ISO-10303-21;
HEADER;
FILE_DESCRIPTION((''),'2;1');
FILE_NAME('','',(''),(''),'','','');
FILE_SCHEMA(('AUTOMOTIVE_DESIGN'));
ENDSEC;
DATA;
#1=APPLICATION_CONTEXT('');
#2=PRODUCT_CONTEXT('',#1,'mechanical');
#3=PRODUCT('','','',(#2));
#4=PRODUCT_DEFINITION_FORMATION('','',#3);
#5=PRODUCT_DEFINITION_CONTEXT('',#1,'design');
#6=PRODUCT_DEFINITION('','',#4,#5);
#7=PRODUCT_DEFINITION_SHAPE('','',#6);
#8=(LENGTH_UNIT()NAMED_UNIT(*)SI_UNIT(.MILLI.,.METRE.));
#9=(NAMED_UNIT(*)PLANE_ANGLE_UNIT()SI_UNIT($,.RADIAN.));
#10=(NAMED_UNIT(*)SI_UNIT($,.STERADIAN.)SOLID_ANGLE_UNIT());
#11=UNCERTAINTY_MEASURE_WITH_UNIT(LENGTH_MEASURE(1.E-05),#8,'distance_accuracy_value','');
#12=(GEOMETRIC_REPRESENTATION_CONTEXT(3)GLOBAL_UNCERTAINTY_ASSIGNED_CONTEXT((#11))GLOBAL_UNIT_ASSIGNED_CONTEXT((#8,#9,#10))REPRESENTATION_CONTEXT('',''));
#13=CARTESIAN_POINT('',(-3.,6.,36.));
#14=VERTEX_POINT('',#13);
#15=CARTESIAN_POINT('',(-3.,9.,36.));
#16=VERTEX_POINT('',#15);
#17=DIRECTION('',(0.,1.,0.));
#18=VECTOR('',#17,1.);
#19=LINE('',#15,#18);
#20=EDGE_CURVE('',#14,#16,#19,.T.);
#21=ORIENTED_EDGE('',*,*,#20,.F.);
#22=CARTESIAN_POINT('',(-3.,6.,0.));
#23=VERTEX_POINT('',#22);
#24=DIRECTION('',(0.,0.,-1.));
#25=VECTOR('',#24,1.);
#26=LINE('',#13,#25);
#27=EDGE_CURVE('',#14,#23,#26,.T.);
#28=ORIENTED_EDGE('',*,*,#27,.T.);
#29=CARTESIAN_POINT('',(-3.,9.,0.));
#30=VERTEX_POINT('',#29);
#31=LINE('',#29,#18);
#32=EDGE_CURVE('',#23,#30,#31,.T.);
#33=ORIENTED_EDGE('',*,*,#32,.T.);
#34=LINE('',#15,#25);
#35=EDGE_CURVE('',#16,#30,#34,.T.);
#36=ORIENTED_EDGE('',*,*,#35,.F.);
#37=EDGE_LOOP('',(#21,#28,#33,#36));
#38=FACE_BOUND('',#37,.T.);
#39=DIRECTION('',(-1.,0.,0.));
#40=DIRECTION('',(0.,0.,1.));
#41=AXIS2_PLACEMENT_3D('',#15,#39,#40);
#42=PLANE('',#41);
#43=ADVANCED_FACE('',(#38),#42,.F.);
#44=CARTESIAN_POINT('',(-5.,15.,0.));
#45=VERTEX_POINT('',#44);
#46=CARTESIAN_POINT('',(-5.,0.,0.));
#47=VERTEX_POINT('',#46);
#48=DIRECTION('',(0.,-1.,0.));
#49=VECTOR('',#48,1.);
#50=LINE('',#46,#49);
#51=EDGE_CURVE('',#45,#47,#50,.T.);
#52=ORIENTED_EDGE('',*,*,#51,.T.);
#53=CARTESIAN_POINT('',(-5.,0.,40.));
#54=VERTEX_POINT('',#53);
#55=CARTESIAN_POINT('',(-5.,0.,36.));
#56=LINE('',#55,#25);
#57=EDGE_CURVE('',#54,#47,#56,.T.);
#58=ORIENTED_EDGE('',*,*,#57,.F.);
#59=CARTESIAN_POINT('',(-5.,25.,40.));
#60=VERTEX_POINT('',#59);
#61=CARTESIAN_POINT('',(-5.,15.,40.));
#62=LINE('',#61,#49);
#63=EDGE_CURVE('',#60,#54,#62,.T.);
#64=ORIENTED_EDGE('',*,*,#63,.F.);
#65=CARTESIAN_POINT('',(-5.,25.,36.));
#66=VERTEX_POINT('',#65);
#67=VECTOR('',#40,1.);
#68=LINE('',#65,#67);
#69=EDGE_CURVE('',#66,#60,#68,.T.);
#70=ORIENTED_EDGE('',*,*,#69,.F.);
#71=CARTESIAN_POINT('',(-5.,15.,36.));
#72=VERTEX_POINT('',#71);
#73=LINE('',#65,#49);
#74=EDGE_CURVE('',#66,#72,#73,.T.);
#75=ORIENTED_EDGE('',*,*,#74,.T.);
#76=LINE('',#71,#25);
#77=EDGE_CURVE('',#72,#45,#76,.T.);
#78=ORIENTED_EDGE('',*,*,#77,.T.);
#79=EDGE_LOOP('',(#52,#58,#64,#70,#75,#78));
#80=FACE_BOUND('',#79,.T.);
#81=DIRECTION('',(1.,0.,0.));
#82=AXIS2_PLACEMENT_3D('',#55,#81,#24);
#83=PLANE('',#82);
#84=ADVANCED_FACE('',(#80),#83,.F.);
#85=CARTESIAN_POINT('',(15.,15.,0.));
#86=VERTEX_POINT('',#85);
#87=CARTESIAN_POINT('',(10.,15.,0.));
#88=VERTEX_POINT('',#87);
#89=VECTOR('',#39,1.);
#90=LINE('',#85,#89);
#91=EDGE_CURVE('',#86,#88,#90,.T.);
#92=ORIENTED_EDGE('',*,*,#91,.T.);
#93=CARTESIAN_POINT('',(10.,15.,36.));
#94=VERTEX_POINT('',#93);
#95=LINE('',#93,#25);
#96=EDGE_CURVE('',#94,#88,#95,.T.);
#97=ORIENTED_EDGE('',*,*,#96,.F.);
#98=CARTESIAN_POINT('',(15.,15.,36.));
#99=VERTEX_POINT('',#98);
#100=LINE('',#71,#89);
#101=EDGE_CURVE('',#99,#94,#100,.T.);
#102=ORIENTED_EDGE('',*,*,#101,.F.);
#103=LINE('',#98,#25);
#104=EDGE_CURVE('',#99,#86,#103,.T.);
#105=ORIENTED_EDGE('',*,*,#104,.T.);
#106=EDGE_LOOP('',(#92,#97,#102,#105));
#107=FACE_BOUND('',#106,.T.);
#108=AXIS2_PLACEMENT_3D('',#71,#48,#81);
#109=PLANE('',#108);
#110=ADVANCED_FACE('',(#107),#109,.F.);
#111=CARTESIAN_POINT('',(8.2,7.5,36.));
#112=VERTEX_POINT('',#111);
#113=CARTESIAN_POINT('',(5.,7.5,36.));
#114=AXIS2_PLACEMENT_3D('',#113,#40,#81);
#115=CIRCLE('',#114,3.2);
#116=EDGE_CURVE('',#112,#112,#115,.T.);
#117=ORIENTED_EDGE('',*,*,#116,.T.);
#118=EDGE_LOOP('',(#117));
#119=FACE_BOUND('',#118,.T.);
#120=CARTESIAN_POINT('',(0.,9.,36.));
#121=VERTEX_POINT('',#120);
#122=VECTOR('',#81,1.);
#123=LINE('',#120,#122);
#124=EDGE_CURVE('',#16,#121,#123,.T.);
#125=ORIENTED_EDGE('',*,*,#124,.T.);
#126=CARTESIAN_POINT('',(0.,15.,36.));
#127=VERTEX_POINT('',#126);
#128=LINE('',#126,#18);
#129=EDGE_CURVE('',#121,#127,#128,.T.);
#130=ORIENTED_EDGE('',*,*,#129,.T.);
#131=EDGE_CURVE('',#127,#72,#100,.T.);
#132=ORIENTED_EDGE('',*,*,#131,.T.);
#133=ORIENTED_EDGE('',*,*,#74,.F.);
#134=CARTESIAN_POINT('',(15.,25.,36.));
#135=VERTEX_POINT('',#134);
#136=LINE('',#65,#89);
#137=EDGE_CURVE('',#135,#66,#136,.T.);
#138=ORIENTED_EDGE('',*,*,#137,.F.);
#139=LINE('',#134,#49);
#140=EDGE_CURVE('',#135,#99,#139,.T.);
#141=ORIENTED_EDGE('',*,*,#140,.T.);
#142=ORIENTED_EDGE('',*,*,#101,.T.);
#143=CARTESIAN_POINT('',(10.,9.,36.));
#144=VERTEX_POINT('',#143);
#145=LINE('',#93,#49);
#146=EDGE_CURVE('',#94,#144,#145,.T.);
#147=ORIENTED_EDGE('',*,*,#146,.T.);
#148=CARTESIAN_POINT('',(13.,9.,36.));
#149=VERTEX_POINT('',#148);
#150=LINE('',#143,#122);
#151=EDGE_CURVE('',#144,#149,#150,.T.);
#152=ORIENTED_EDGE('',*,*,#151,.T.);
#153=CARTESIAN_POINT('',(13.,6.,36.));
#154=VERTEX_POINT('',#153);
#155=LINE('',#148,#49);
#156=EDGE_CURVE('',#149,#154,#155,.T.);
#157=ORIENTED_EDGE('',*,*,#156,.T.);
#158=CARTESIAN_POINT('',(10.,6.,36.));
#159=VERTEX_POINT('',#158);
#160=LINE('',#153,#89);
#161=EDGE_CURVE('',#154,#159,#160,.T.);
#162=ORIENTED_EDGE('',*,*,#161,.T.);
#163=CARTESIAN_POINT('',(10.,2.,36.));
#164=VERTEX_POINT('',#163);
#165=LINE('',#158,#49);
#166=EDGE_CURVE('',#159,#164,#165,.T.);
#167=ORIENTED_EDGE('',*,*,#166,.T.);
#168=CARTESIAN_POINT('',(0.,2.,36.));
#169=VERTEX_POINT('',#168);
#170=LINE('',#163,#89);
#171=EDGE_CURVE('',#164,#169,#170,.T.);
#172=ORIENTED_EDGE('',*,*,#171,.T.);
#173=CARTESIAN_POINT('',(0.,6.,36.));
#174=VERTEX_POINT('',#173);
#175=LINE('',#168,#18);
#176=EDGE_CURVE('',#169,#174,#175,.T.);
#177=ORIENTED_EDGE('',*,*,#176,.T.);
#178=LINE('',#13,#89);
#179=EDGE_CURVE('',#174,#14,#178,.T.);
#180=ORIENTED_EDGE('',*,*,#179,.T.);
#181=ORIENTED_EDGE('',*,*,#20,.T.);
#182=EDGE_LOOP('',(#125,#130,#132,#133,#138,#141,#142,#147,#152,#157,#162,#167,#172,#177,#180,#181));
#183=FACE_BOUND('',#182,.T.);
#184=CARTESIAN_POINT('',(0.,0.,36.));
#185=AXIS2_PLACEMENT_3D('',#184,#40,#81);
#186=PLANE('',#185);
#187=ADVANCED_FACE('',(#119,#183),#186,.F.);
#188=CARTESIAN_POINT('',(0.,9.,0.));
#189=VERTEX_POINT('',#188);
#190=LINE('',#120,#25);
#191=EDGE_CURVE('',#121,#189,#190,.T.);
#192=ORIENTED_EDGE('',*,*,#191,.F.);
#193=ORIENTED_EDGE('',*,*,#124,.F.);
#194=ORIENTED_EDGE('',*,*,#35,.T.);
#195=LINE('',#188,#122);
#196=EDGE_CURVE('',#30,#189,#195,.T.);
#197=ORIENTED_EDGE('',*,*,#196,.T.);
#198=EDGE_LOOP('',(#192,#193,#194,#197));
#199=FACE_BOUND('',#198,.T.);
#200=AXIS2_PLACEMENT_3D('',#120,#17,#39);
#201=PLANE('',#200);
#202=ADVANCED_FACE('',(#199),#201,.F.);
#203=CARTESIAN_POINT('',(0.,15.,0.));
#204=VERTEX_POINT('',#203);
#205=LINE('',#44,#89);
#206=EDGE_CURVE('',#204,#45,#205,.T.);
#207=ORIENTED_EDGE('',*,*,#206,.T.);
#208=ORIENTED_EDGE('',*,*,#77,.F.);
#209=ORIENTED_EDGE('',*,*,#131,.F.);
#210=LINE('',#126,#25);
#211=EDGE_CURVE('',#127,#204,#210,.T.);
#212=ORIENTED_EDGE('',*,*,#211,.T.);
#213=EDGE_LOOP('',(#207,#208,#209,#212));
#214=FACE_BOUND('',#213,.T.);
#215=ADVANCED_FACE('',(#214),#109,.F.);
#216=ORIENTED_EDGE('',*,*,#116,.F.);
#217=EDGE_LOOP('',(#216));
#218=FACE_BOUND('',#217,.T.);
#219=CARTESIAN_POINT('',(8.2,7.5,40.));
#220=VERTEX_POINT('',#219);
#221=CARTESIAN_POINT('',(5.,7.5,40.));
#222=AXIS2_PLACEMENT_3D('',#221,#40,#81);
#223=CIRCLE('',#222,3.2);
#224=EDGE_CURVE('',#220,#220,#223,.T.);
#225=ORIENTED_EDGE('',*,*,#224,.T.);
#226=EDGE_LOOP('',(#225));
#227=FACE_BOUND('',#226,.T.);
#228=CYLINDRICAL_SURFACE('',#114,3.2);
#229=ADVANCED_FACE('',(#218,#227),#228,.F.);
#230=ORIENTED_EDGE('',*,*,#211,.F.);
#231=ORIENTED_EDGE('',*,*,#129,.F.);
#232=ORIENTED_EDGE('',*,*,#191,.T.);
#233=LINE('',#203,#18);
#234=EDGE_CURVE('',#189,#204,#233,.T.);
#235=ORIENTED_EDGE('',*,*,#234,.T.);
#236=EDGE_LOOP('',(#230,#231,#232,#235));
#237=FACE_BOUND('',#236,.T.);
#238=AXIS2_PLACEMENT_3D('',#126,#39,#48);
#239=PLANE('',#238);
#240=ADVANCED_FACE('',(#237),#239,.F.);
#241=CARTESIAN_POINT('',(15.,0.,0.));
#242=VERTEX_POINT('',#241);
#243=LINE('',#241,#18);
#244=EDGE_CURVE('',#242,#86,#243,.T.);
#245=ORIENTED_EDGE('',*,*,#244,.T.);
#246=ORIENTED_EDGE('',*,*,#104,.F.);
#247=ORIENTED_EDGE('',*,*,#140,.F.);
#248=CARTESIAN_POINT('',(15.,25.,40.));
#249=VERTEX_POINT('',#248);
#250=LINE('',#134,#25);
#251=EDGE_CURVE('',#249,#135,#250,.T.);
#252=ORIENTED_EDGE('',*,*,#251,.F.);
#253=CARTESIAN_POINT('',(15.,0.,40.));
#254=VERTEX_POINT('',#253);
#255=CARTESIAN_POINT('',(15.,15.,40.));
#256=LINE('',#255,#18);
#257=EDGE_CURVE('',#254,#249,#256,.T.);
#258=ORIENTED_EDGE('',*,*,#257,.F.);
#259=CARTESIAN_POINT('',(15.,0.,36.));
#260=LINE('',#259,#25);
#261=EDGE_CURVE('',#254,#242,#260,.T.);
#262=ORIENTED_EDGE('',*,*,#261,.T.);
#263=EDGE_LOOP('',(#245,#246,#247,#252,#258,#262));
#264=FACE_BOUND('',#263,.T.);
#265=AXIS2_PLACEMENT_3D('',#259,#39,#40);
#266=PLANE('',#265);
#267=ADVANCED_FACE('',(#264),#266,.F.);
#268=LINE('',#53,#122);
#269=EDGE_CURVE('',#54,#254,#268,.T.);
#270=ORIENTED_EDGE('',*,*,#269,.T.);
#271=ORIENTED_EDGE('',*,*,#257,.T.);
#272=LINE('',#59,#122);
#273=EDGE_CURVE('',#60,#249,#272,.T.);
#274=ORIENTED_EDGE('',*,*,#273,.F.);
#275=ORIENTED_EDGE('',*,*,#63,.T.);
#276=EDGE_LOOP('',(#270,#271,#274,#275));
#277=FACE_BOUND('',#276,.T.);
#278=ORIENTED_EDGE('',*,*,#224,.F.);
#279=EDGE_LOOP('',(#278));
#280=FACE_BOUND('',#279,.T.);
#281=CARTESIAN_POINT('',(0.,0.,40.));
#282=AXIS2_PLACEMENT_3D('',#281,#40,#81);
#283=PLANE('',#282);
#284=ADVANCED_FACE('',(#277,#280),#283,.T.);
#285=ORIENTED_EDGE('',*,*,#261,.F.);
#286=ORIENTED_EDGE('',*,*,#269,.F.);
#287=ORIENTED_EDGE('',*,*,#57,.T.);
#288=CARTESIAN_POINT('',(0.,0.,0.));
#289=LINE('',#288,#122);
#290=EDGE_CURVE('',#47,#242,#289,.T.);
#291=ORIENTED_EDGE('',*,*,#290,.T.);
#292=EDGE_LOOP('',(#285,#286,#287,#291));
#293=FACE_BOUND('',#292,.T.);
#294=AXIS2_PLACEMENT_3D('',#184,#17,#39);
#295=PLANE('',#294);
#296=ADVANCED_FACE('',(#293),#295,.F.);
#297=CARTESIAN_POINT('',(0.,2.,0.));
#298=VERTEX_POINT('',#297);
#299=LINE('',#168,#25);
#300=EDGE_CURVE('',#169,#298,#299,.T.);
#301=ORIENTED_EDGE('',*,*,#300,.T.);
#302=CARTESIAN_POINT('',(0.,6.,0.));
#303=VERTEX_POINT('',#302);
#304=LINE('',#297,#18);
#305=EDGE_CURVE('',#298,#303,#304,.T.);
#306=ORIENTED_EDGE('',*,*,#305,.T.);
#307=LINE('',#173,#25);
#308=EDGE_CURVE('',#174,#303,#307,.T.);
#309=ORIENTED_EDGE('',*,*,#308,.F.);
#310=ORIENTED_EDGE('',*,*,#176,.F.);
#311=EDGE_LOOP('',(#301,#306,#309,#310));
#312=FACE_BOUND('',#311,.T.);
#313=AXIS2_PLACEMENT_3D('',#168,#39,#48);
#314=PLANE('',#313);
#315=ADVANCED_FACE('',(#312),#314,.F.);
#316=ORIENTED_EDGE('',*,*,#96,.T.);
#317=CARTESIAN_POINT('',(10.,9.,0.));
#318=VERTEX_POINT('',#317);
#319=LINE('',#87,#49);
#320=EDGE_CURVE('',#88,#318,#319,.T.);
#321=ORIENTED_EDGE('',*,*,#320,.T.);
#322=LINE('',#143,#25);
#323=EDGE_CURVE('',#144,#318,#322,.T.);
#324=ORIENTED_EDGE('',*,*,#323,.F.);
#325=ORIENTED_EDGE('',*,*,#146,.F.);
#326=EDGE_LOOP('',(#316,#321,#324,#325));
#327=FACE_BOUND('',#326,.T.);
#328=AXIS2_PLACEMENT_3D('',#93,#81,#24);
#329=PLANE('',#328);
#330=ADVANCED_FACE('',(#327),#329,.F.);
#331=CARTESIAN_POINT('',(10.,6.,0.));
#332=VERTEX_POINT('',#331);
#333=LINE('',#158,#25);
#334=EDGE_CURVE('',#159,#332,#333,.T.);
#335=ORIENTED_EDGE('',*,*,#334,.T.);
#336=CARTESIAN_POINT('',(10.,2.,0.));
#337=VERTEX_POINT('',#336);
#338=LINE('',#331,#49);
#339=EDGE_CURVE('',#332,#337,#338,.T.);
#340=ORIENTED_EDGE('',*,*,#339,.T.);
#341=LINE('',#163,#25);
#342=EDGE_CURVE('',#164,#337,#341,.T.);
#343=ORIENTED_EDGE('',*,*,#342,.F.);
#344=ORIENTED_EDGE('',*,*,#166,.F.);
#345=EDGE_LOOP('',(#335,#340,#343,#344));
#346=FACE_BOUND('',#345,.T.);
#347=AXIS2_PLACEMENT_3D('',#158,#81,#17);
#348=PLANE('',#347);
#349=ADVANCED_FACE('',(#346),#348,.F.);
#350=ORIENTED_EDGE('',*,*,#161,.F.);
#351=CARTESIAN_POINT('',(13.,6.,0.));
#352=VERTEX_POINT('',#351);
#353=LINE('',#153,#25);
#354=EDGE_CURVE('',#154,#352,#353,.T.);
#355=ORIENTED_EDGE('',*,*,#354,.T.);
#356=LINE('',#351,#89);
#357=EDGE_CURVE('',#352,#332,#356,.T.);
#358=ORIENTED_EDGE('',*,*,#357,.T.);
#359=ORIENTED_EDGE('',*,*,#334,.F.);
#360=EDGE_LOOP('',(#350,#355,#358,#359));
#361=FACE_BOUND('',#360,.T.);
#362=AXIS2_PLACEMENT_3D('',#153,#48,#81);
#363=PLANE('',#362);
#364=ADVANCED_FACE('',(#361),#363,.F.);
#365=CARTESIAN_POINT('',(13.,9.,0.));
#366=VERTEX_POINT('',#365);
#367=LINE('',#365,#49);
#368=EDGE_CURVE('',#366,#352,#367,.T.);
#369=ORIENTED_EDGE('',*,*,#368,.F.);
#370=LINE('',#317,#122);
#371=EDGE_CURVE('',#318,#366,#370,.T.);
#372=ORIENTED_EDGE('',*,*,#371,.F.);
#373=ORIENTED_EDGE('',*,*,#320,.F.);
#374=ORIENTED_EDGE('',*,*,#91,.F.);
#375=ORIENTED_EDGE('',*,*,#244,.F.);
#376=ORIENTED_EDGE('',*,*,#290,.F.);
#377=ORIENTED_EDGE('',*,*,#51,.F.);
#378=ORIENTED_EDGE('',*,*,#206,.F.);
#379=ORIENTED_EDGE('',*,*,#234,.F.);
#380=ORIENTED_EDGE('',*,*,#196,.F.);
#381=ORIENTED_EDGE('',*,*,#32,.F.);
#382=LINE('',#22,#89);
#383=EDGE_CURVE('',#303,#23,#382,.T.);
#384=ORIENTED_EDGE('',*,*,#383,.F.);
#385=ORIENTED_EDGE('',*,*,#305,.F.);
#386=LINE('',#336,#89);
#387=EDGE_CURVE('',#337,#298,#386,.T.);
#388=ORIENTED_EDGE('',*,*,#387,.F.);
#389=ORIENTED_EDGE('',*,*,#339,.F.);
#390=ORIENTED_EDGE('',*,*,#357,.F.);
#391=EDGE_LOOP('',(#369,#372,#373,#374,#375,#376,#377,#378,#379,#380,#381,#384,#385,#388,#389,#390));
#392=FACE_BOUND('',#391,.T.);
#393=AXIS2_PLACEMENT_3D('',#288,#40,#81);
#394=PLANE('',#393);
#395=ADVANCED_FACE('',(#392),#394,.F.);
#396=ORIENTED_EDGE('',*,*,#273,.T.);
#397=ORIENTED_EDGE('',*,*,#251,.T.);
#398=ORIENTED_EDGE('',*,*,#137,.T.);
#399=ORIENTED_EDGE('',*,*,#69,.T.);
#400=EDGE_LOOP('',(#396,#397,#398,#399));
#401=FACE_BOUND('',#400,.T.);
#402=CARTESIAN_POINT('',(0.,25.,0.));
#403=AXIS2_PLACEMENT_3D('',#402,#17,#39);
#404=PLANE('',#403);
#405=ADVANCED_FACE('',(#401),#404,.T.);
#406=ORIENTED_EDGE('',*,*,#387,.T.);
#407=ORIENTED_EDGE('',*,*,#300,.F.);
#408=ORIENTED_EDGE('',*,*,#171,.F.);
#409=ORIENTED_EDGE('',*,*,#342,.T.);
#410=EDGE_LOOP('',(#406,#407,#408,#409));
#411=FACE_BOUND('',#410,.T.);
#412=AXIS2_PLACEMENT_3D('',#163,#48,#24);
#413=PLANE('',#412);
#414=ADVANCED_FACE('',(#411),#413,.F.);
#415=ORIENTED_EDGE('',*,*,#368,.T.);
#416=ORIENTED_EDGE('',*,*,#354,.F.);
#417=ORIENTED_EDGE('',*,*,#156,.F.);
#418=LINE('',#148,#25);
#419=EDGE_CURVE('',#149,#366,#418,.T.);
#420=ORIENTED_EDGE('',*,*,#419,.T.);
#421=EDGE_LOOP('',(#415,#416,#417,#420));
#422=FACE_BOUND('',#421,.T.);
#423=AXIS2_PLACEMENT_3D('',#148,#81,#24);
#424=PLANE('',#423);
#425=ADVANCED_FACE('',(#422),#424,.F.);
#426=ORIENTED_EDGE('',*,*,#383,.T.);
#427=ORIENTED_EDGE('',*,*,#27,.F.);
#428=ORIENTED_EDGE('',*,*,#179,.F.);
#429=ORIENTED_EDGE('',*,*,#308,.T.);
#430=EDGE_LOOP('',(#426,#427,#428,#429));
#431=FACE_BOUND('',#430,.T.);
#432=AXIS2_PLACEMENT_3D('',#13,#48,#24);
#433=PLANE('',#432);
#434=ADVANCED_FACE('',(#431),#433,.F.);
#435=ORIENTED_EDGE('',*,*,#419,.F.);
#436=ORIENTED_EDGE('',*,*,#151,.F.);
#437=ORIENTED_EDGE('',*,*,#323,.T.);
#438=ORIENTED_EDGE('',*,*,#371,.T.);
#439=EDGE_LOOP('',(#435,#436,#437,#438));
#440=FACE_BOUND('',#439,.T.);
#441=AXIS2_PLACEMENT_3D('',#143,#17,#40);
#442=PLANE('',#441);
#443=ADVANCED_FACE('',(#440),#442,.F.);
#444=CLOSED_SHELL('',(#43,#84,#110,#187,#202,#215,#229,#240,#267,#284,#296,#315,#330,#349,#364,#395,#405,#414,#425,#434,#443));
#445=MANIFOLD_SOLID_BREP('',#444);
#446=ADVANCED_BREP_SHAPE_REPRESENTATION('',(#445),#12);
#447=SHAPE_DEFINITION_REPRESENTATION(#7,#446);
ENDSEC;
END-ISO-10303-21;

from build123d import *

# Parameters (mm, degrees)
BOSS_EXTRU_1_DEPTH      = 36
ESQUISSE2_W             = 20
ESQUISSE2_H             = 15
BOSS_EXTRU_2_DEPTH      = 4
ESQUISSE3_R             = 3.2
ENL_V_MAT_EXTRU_1_DEPTH = 4
ESQUISSE4_W             = 20
ESQUISSE4_H             = 4
BOSS_EXTRU_3_DEPTH      = 10


with BuildPart() as part:
    # Esquisse1 → Boss.-Extru.1 (new body)
    with BuildSketch(Plane.XY):
        Polygon((0, 0), (-5, 0), (-5, 15), (0, 15), (0, 9), (-3, 9), (-3, 6), (0, 6), (0, 2), (10, 2), (10, 6), (13, 6), (13, 9), (10, 9), (10, 15), (15, 15), (15, 0), (10, 0), align=None)
    extrude(amount=BOSS_EXTRU_1_DEPTH)

    # Esquisse2 → Boss.-Extru.2 (add)
    with BuildSketch(Plane.XY.offset(36)):
        with Locations((5, 7.5)):
            Rectangle(ESQUISSE2_W, ESQUISSE2_H)
    extrude(amount=BOSS_EXTRU_2_DEPTH)

    # Esquisse3 → Enlèv. mat.-Extru.1 (cut)
    with BuildSketch(Plane.XY.offset(40)):
        with Locations((5, 7.5)):
            Circle(ESQUISSE3_R)
    extrude(amount=-ENL_V_MAT_EXTRU_1_DEPTH, mode=Mode.SUBTRACT)

    # Esquisse4 → Boss.-Extru.3 (add)
    with BuildSketch(Plane(origin=(0, 15, 0), x_dir=(1, 0, 0), z_dir=(0, 1, 0))):
        with Locations((5, -38)):
            Rectangle(ESQUISSE4_W, ESQUISSE4_H)
    extrude(amount=BOSS_EXTRU_3_DEPTH)


solid = part.part
